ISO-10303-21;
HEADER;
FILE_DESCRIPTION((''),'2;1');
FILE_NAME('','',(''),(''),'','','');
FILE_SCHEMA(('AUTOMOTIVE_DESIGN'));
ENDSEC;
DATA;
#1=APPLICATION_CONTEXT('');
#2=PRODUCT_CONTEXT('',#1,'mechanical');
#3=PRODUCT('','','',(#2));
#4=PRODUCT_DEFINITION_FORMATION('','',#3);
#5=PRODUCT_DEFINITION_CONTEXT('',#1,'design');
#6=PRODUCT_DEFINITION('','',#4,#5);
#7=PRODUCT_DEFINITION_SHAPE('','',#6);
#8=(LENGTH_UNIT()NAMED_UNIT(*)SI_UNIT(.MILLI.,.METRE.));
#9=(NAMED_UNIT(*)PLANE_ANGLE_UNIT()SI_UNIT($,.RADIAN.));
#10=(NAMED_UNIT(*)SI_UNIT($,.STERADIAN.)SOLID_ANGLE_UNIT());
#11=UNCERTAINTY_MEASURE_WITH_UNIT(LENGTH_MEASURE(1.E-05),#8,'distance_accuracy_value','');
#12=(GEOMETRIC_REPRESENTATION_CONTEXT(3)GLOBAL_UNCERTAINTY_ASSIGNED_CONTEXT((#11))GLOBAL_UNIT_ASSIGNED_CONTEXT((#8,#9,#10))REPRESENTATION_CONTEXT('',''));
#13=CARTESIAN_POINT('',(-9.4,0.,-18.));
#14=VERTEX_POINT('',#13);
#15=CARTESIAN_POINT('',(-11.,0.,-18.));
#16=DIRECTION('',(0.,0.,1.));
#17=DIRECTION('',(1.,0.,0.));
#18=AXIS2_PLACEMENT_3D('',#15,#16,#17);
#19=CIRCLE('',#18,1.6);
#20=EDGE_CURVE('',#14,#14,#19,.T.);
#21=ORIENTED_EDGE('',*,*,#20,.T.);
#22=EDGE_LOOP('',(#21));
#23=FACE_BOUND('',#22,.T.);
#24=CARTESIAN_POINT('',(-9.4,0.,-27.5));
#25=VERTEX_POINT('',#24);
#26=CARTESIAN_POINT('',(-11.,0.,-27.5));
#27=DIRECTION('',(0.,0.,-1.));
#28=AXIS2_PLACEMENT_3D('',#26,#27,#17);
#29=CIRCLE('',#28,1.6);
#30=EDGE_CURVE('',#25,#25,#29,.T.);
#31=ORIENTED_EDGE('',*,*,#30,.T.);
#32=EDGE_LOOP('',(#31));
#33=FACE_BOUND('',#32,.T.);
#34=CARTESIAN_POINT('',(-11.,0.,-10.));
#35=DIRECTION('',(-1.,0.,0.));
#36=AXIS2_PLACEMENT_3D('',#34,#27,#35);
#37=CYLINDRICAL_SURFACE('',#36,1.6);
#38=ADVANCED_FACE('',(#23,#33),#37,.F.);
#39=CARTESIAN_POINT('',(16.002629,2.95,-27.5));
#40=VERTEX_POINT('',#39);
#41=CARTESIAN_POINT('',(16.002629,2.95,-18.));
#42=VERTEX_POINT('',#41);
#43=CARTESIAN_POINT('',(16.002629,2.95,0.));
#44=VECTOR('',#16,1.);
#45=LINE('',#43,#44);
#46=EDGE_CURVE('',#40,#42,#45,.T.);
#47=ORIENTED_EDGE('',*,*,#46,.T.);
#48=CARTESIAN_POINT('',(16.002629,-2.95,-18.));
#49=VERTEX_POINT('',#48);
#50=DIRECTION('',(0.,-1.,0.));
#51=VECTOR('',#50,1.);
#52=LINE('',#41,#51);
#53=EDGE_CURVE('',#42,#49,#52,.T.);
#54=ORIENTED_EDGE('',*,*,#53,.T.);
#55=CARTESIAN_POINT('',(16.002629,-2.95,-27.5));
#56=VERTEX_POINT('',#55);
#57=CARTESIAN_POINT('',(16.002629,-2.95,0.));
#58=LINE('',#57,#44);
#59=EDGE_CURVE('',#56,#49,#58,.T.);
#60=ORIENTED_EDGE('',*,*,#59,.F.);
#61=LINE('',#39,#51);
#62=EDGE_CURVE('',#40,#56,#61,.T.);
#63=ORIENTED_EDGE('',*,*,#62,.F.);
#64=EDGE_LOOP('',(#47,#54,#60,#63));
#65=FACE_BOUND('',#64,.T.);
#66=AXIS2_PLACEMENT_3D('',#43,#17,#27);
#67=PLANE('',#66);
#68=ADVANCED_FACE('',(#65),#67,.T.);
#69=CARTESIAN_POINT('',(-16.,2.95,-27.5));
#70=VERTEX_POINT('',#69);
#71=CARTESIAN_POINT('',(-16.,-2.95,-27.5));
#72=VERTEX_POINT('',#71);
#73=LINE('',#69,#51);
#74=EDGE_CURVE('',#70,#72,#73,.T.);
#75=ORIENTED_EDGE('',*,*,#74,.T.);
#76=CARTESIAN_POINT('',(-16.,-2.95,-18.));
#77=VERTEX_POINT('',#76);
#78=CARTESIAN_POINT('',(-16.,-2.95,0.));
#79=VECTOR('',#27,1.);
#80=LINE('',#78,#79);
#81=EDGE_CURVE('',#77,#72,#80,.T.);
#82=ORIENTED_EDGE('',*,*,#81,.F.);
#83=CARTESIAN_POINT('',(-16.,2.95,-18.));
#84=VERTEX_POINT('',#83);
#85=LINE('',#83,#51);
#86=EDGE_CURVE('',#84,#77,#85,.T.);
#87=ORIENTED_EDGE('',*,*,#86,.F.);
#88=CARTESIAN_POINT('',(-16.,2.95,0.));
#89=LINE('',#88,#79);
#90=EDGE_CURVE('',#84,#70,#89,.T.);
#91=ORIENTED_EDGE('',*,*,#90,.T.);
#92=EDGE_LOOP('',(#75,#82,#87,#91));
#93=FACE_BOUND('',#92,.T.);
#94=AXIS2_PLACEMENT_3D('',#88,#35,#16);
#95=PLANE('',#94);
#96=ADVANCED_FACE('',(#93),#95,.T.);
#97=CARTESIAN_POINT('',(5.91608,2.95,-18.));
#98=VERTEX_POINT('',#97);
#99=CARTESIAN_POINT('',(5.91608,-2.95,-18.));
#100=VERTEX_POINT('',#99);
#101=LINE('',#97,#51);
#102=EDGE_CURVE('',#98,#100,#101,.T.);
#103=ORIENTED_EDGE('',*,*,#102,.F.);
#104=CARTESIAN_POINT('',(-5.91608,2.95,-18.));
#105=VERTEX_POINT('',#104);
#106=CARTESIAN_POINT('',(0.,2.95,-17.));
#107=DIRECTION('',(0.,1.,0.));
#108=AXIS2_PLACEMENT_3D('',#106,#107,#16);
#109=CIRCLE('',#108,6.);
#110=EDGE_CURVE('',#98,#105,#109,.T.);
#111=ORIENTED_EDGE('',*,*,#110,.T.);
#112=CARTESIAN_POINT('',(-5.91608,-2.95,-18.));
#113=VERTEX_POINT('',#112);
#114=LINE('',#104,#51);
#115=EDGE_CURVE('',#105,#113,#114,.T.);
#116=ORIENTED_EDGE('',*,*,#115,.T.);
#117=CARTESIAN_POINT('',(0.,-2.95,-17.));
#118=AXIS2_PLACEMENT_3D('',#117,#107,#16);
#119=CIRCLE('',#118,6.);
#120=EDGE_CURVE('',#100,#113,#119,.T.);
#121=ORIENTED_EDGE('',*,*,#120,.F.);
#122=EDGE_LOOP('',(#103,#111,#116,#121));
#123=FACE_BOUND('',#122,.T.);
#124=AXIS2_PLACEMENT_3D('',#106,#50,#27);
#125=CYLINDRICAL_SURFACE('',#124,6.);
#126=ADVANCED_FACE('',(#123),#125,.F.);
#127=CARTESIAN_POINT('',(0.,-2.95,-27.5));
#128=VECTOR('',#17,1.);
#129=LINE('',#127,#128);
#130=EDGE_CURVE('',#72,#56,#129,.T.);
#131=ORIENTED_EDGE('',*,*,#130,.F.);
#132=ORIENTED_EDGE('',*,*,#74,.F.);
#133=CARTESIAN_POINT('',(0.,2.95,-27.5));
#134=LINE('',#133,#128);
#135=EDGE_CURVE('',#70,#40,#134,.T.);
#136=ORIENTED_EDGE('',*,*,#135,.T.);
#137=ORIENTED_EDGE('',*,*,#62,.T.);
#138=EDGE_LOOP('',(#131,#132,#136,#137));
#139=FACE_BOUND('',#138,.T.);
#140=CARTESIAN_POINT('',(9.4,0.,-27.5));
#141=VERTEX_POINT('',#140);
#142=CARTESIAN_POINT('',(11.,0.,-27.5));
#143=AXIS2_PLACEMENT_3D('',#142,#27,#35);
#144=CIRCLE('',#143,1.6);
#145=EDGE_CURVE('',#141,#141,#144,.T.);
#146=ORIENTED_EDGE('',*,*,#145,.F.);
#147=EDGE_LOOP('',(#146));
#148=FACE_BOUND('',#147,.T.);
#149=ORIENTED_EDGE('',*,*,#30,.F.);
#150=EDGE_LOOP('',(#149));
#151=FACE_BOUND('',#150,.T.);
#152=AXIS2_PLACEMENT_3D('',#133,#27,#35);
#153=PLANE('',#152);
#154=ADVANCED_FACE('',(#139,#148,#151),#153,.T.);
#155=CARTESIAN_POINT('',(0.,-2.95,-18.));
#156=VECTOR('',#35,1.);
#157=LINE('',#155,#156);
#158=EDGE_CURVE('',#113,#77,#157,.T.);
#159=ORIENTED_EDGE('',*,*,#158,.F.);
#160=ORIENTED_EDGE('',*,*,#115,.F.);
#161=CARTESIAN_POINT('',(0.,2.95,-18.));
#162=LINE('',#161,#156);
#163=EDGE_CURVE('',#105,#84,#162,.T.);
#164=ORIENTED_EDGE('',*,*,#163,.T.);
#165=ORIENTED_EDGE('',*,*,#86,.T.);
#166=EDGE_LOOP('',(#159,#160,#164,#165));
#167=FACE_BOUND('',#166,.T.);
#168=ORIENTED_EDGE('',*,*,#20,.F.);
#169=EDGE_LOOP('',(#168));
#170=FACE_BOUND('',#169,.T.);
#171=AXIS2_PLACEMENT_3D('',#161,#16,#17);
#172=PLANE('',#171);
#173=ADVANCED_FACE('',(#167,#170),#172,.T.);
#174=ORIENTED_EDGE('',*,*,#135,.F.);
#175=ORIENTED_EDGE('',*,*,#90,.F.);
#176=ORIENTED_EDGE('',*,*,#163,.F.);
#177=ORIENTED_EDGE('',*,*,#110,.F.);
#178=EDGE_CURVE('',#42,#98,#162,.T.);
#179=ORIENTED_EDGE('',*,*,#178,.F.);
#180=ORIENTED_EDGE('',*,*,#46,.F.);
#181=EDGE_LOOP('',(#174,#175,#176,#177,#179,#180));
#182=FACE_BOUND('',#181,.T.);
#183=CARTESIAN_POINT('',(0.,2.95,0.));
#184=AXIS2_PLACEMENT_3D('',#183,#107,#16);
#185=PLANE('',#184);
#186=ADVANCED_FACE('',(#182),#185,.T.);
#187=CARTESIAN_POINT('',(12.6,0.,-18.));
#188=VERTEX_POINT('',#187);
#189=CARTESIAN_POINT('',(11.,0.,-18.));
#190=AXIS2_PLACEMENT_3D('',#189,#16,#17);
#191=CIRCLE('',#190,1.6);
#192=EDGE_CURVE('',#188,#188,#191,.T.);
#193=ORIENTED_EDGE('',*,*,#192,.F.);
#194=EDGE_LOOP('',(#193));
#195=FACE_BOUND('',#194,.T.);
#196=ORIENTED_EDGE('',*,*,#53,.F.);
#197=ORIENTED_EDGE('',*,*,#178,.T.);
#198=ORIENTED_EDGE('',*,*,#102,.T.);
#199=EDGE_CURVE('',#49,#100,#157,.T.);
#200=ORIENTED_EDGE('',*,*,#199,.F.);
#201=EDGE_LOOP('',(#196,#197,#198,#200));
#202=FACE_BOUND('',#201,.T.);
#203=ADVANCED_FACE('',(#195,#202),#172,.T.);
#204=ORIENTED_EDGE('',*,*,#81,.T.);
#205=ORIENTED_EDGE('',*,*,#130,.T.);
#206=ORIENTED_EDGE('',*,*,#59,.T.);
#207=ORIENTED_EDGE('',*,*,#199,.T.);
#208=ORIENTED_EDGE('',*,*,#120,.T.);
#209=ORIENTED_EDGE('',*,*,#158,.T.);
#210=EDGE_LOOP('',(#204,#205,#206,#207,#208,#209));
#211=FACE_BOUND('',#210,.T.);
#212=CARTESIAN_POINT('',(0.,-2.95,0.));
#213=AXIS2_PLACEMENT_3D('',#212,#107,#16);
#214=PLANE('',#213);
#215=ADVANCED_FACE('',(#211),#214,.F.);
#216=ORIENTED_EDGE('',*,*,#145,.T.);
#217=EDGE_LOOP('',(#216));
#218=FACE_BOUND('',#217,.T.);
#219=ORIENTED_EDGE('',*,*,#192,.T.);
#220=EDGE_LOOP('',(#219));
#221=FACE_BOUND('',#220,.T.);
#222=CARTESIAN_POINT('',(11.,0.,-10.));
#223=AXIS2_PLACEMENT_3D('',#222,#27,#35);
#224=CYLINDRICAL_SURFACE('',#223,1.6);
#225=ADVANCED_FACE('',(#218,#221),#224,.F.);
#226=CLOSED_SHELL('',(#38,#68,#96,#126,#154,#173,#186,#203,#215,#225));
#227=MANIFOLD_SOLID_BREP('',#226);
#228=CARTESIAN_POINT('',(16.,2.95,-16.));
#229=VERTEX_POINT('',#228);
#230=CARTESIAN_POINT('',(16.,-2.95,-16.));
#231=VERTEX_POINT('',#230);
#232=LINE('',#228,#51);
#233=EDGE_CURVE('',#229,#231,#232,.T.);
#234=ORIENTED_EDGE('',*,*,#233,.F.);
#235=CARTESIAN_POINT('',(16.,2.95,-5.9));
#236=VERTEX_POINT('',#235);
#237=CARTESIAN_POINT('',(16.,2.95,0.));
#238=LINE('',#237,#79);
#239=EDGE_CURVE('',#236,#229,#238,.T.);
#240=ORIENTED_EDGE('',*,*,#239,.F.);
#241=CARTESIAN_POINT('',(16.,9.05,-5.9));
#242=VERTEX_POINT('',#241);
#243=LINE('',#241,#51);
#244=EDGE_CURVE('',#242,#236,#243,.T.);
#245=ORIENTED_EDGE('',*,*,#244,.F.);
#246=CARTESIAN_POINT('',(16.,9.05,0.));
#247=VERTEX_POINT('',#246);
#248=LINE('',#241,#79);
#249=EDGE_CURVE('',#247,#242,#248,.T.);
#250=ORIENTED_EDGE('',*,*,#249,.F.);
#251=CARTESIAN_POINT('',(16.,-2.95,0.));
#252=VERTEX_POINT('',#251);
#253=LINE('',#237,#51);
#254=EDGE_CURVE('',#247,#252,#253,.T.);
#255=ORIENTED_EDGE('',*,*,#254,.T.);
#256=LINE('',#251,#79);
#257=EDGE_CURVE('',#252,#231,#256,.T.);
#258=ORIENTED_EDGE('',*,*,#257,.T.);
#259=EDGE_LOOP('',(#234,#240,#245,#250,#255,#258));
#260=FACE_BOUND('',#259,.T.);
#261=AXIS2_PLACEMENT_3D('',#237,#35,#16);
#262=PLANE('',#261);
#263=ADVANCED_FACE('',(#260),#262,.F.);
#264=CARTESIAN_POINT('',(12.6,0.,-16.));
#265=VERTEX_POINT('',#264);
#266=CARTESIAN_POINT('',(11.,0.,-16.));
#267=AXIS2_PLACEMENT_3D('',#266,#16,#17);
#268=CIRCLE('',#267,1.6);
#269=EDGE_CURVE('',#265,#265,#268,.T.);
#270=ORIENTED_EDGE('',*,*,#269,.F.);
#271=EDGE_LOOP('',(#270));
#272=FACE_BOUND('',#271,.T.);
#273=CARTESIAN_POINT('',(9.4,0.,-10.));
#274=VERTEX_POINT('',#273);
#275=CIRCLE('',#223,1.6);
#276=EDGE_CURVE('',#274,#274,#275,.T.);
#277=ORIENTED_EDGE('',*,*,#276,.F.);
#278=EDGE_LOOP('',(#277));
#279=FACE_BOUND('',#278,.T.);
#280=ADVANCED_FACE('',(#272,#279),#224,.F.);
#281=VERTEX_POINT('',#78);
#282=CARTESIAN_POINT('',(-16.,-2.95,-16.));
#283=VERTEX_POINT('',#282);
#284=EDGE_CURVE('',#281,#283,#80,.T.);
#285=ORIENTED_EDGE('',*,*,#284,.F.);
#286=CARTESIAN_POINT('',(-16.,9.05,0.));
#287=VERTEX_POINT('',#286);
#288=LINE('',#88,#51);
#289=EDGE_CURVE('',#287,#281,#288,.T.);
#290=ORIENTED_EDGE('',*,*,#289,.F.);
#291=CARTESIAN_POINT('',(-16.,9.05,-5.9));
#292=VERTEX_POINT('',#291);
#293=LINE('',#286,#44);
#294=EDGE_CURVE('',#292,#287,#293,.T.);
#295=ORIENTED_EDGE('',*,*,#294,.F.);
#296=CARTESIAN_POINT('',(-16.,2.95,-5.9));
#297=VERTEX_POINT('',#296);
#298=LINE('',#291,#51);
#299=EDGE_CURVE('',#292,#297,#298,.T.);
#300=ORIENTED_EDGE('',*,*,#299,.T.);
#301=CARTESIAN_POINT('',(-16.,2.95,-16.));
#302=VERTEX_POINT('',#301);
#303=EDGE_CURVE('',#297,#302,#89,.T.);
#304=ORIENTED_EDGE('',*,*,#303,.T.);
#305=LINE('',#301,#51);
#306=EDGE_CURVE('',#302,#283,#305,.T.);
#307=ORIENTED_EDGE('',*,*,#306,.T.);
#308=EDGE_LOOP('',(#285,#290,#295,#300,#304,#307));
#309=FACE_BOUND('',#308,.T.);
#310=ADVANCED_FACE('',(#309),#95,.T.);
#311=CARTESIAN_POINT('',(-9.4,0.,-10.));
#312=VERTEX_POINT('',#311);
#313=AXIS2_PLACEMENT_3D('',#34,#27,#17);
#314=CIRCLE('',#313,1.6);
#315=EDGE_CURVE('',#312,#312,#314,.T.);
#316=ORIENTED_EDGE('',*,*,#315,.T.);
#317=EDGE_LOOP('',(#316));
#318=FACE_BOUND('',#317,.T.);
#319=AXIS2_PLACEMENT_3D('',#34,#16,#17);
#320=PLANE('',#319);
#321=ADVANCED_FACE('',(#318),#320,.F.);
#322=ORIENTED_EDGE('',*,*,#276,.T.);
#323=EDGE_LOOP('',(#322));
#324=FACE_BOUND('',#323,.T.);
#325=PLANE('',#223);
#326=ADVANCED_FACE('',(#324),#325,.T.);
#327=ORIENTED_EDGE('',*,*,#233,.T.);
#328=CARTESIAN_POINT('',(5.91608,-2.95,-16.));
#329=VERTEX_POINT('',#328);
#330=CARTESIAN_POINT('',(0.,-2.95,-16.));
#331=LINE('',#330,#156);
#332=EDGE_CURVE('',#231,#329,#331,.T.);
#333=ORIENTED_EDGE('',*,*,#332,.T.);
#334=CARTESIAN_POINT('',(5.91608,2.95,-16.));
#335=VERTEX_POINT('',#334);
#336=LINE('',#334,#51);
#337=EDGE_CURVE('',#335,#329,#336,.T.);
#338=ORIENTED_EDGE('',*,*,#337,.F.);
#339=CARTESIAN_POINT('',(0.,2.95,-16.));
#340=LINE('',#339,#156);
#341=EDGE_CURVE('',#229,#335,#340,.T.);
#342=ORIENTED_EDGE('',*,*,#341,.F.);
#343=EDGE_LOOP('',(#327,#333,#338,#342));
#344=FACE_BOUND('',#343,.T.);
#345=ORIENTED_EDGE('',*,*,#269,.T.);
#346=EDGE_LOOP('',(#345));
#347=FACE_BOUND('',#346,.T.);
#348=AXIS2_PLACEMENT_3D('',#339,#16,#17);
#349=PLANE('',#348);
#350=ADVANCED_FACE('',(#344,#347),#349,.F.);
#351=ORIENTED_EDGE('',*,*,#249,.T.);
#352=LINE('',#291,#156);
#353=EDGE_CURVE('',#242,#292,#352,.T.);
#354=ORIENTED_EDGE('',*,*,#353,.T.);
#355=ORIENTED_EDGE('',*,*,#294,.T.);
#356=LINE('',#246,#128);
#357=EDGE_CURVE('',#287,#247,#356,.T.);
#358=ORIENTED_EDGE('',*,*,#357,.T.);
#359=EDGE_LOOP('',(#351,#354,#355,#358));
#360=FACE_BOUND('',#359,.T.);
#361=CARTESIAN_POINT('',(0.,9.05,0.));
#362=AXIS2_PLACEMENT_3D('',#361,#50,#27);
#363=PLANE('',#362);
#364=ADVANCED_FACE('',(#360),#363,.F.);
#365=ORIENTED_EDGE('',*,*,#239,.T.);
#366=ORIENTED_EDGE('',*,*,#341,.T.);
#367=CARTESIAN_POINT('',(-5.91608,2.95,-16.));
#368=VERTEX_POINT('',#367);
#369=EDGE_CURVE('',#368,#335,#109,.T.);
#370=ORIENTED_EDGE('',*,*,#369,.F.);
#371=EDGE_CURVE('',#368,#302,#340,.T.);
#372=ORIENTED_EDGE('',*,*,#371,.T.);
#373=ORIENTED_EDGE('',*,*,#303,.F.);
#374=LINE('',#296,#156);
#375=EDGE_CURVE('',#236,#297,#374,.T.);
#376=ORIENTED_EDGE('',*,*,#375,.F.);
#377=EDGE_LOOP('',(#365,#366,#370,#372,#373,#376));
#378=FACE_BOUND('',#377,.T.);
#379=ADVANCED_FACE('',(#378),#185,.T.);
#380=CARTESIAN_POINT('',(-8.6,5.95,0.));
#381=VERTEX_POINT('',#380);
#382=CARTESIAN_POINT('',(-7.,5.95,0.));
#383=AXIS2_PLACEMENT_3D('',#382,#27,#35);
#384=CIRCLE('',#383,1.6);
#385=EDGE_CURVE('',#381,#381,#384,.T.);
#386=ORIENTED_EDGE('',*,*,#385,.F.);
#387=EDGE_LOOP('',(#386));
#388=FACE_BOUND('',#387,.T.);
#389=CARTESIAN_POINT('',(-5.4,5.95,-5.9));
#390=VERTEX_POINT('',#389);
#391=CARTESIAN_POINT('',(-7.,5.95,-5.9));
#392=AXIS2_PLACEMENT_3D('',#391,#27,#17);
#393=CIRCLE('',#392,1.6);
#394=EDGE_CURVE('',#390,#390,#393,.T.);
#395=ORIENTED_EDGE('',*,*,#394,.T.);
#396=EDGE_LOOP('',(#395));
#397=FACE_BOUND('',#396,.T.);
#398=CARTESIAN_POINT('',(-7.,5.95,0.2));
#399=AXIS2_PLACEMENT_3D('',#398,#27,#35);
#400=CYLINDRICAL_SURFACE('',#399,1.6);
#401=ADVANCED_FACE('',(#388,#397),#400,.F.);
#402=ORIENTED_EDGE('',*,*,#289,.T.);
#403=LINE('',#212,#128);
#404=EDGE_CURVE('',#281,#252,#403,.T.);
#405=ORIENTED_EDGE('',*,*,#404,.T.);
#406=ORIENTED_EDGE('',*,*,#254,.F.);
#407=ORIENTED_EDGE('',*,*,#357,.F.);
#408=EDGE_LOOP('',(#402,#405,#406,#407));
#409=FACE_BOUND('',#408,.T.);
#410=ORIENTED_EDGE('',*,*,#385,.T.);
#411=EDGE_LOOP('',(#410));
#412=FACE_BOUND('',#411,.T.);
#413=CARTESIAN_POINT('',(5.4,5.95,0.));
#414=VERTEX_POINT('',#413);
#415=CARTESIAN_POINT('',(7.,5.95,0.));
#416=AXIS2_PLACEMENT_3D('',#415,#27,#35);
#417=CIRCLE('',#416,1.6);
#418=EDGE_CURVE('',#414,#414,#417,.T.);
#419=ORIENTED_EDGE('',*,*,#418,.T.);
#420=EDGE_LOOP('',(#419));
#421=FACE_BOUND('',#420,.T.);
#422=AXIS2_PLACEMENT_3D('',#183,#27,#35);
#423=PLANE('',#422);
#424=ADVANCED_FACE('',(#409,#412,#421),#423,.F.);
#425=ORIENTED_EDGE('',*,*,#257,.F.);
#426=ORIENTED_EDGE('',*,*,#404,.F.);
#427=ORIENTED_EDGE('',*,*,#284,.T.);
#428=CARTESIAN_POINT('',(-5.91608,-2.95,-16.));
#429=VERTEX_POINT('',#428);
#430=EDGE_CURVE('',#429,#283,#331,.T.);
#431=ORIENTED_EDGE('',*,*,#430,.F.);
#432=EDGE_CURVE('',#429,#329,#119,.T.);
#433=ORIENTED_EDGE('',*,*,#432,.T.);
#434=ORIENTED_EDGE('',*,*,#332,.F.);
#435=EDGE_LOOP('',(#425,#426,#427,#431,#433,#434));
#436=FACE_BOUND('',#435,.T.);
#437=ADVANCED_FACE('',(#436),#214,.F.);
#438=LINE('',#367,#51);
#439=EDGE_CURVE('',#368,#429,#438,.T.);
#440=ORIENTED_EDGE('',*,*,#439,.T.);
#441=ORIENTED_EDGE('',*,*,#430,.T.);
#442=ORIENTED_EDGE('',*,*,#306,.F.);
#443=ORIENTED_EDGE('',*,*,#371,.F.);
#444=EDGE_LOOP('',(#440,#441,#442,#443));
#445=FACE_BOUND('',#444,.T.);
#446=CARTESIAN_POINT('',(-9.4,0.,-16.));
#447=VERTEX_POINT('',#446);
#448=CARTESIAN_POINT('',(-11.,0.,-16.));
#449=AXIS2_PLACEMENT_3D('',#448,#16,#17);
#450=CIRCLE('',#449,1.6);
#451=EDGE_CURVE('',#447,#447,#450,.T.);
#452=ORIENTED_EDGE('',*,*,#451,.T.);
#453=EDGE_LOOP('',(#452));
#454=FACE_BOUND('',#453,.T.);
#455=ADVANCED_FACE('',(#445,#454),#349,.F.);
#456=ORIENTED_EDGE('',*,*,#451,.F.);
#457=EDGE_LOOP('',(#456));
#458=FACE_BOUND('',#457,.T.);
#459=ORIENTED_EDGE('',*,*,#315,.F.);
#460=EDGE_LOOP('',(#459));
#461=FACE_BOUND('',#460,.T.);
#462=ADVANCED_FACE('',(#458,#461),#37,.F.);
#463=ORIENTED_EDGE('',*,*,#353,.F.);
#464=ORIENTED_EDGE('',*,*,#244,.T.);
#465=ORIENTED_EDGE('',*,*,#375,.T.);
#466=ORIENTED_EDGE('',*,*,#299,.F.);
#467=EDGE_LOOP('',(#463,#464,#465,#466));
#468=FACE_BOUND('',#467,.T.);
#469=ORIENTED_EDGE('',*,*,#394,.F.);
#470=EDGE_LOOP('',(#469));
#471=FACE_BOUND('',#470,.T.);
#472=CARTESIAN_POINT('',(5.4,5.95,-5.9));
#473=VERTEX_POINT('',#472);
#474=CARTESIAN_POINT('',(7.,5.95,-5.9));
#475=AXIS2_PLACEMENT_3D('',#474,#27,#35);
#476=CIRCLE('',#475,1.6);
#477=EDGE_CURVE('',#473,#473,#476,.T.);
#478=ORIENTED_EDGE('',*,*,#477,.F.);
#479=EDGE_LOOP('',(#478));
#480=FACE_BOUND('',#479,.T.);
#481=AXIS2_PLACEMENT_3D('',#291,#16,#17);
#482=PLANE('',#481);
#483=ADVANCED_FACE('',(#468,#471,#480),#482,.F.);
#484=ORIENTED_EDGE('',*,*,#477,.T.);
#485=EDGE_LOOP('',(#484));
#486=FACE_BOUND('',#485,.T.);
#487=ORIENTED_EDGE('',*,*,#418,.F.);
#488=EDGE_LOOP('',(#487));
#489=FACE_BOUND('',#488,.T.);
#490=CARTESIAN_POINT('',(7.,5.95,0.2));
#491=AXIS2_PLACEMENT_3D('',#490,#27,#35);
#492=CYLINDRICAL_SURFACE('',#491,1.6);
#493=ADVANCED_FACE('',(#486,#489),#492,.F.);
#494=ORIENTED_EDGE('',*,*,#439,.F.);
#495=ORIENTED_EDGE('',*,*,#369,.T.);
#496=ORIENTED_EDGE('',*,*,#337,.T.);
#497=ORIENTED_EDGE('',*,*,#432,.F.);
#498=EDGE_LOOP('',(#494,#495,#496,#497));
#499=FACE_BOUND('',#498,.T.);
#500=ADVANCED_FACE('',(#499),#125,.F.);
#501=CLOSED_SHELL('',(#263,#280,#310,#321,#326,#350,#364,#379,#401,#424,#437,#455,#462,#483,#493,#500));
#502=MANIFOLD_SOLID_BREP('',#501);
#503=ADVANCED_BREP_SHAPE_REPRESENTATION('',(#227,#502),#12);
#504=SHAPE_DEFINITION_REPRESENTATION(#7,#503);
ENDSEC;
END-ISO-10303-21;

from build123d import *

# Parameters (mm, degrees)
EXTRUDE_1_DEPTH     = 2.95
EXTRUDE_1_2_DEPTH   = 2.95
SKETCH_3_R          = 1.6
CUT_EXTRUDE_1_DEPTH = 17.5
SKETCH_4_W          = 32
SKETCH_4_H          = 5.9
EXTRUDE_2_DEPTH     = 6.1
SKETCH_5_R          = 1.6
CUT_EXTRUDE_2_DEPTH = 6.1


with BuildPart() as part:
    # 草图1 → 凸台-拉伸1 (new, symmetric)
    with BuildSketch(Plane(origin=(0, 0, 0), x_dir=(1, 0, 0), z_dir=(0, 1, 0))):
        with BuildLine():
            Line((-16, 16), (-16, 0))
            Line((-16, 0), (16, 0))
            Line((16, 0), (16, 16))
            Line((16, 16), (5.916079783, 16))
            ThreePointArc((5.916079783, 16), (0, 11), (-5.916079783, 16))
            Line((-5.916079783, 16), (-16, 16))
        make_face()
    extrude(amount=EXTRUDE_1_DEPTH, both=True)


with BuildPart() as body_2:
    # 草图1 → Extrude 1 2 (new, symmetric)
    with BuildSketch(Plane(origin=(0, 0, 0), x_dir=(1, 0, 0), z_dir=(0, 1, 0))):
        with BuildLine():
            Line((-16, 18), (-5.916079783, 18))
            ThreePointArc((-5.916079783, 18), (0, 23), (5.916079783, 18))
            Line((5.916079783, 18), (16.002629356, 18))
            Line((16.002629356, 18), (16.002629356, 27.5))
            Line((16.002629356, 27.5), (-16, 27.5))
            Line((-16, 27.5), (-16, 18))
        make_face()
    extrude(amount=EXTRUDE_1_2_DEPTH, both=True)


with BuildPart() as cut_extrude_1_tool:
    # 草图3 → 切除-拉伸1 (new body)
    with BuildSketch(Plane(origin=(0, 0, -27.5), x_dir=(-1, 0, 0), z_dir=(0, 0, -1))):
        with Locations((-11, 0)):
            Circle(SKETCH_3_R)
        with Locations(Location((11, 0, 0), (0, 0, 180))):
            Circle(SKETCH_3_R)
    extrude(amount=-CUT_EXTRUDE_1_DEPTH)


with BuildPart() as part_1:
    add(part.part)

    # 切除-拉伸1: cut by cut_extrude_1_tool
    add(cut_extrude_1_tool.part, mode=Mode.SUBTRACT)

    # 草图4 → 凸台-拉伸2 (add)
    with BuildSketch(Plane(origin=(0, 2.95, 0), x_dir=(1, 0, 0), z_dir=(0, 1, 0))):
        with Locations((0, 2.95)):
            Rectangle(SKETCH_4_W, SKETCH_4_H)
    extrude(amount=EXTRUDE_2_DEPTH)

    # 草图5 → 切除-拉伸2 (cut)
    with BuildSketch(Plane(origin=(0, 0, -5.9), x_dir=(-1, 0, 0), z_dir=(0, 0, -1))):
        with Locations((-7, 5.95)):
            Circle(SKETCH_5_R)
        with Locations((7, 5.95)):
            Circle(SKETCH_5_R)
    extrude(amount=-CUT_EXTRUDE_2_DEPTH, mode=Mode.SUBTRACT)


with BuildPart() as body_2_1:
    add(body_2.part)

    # 切除-拉伸1: cut by cut_extrude_1_tool
    add(cut_extrude_1_tool.part, mode=Mode.SUBTRACT)


solid = Compound([part_1.part, body_2_1.part])
